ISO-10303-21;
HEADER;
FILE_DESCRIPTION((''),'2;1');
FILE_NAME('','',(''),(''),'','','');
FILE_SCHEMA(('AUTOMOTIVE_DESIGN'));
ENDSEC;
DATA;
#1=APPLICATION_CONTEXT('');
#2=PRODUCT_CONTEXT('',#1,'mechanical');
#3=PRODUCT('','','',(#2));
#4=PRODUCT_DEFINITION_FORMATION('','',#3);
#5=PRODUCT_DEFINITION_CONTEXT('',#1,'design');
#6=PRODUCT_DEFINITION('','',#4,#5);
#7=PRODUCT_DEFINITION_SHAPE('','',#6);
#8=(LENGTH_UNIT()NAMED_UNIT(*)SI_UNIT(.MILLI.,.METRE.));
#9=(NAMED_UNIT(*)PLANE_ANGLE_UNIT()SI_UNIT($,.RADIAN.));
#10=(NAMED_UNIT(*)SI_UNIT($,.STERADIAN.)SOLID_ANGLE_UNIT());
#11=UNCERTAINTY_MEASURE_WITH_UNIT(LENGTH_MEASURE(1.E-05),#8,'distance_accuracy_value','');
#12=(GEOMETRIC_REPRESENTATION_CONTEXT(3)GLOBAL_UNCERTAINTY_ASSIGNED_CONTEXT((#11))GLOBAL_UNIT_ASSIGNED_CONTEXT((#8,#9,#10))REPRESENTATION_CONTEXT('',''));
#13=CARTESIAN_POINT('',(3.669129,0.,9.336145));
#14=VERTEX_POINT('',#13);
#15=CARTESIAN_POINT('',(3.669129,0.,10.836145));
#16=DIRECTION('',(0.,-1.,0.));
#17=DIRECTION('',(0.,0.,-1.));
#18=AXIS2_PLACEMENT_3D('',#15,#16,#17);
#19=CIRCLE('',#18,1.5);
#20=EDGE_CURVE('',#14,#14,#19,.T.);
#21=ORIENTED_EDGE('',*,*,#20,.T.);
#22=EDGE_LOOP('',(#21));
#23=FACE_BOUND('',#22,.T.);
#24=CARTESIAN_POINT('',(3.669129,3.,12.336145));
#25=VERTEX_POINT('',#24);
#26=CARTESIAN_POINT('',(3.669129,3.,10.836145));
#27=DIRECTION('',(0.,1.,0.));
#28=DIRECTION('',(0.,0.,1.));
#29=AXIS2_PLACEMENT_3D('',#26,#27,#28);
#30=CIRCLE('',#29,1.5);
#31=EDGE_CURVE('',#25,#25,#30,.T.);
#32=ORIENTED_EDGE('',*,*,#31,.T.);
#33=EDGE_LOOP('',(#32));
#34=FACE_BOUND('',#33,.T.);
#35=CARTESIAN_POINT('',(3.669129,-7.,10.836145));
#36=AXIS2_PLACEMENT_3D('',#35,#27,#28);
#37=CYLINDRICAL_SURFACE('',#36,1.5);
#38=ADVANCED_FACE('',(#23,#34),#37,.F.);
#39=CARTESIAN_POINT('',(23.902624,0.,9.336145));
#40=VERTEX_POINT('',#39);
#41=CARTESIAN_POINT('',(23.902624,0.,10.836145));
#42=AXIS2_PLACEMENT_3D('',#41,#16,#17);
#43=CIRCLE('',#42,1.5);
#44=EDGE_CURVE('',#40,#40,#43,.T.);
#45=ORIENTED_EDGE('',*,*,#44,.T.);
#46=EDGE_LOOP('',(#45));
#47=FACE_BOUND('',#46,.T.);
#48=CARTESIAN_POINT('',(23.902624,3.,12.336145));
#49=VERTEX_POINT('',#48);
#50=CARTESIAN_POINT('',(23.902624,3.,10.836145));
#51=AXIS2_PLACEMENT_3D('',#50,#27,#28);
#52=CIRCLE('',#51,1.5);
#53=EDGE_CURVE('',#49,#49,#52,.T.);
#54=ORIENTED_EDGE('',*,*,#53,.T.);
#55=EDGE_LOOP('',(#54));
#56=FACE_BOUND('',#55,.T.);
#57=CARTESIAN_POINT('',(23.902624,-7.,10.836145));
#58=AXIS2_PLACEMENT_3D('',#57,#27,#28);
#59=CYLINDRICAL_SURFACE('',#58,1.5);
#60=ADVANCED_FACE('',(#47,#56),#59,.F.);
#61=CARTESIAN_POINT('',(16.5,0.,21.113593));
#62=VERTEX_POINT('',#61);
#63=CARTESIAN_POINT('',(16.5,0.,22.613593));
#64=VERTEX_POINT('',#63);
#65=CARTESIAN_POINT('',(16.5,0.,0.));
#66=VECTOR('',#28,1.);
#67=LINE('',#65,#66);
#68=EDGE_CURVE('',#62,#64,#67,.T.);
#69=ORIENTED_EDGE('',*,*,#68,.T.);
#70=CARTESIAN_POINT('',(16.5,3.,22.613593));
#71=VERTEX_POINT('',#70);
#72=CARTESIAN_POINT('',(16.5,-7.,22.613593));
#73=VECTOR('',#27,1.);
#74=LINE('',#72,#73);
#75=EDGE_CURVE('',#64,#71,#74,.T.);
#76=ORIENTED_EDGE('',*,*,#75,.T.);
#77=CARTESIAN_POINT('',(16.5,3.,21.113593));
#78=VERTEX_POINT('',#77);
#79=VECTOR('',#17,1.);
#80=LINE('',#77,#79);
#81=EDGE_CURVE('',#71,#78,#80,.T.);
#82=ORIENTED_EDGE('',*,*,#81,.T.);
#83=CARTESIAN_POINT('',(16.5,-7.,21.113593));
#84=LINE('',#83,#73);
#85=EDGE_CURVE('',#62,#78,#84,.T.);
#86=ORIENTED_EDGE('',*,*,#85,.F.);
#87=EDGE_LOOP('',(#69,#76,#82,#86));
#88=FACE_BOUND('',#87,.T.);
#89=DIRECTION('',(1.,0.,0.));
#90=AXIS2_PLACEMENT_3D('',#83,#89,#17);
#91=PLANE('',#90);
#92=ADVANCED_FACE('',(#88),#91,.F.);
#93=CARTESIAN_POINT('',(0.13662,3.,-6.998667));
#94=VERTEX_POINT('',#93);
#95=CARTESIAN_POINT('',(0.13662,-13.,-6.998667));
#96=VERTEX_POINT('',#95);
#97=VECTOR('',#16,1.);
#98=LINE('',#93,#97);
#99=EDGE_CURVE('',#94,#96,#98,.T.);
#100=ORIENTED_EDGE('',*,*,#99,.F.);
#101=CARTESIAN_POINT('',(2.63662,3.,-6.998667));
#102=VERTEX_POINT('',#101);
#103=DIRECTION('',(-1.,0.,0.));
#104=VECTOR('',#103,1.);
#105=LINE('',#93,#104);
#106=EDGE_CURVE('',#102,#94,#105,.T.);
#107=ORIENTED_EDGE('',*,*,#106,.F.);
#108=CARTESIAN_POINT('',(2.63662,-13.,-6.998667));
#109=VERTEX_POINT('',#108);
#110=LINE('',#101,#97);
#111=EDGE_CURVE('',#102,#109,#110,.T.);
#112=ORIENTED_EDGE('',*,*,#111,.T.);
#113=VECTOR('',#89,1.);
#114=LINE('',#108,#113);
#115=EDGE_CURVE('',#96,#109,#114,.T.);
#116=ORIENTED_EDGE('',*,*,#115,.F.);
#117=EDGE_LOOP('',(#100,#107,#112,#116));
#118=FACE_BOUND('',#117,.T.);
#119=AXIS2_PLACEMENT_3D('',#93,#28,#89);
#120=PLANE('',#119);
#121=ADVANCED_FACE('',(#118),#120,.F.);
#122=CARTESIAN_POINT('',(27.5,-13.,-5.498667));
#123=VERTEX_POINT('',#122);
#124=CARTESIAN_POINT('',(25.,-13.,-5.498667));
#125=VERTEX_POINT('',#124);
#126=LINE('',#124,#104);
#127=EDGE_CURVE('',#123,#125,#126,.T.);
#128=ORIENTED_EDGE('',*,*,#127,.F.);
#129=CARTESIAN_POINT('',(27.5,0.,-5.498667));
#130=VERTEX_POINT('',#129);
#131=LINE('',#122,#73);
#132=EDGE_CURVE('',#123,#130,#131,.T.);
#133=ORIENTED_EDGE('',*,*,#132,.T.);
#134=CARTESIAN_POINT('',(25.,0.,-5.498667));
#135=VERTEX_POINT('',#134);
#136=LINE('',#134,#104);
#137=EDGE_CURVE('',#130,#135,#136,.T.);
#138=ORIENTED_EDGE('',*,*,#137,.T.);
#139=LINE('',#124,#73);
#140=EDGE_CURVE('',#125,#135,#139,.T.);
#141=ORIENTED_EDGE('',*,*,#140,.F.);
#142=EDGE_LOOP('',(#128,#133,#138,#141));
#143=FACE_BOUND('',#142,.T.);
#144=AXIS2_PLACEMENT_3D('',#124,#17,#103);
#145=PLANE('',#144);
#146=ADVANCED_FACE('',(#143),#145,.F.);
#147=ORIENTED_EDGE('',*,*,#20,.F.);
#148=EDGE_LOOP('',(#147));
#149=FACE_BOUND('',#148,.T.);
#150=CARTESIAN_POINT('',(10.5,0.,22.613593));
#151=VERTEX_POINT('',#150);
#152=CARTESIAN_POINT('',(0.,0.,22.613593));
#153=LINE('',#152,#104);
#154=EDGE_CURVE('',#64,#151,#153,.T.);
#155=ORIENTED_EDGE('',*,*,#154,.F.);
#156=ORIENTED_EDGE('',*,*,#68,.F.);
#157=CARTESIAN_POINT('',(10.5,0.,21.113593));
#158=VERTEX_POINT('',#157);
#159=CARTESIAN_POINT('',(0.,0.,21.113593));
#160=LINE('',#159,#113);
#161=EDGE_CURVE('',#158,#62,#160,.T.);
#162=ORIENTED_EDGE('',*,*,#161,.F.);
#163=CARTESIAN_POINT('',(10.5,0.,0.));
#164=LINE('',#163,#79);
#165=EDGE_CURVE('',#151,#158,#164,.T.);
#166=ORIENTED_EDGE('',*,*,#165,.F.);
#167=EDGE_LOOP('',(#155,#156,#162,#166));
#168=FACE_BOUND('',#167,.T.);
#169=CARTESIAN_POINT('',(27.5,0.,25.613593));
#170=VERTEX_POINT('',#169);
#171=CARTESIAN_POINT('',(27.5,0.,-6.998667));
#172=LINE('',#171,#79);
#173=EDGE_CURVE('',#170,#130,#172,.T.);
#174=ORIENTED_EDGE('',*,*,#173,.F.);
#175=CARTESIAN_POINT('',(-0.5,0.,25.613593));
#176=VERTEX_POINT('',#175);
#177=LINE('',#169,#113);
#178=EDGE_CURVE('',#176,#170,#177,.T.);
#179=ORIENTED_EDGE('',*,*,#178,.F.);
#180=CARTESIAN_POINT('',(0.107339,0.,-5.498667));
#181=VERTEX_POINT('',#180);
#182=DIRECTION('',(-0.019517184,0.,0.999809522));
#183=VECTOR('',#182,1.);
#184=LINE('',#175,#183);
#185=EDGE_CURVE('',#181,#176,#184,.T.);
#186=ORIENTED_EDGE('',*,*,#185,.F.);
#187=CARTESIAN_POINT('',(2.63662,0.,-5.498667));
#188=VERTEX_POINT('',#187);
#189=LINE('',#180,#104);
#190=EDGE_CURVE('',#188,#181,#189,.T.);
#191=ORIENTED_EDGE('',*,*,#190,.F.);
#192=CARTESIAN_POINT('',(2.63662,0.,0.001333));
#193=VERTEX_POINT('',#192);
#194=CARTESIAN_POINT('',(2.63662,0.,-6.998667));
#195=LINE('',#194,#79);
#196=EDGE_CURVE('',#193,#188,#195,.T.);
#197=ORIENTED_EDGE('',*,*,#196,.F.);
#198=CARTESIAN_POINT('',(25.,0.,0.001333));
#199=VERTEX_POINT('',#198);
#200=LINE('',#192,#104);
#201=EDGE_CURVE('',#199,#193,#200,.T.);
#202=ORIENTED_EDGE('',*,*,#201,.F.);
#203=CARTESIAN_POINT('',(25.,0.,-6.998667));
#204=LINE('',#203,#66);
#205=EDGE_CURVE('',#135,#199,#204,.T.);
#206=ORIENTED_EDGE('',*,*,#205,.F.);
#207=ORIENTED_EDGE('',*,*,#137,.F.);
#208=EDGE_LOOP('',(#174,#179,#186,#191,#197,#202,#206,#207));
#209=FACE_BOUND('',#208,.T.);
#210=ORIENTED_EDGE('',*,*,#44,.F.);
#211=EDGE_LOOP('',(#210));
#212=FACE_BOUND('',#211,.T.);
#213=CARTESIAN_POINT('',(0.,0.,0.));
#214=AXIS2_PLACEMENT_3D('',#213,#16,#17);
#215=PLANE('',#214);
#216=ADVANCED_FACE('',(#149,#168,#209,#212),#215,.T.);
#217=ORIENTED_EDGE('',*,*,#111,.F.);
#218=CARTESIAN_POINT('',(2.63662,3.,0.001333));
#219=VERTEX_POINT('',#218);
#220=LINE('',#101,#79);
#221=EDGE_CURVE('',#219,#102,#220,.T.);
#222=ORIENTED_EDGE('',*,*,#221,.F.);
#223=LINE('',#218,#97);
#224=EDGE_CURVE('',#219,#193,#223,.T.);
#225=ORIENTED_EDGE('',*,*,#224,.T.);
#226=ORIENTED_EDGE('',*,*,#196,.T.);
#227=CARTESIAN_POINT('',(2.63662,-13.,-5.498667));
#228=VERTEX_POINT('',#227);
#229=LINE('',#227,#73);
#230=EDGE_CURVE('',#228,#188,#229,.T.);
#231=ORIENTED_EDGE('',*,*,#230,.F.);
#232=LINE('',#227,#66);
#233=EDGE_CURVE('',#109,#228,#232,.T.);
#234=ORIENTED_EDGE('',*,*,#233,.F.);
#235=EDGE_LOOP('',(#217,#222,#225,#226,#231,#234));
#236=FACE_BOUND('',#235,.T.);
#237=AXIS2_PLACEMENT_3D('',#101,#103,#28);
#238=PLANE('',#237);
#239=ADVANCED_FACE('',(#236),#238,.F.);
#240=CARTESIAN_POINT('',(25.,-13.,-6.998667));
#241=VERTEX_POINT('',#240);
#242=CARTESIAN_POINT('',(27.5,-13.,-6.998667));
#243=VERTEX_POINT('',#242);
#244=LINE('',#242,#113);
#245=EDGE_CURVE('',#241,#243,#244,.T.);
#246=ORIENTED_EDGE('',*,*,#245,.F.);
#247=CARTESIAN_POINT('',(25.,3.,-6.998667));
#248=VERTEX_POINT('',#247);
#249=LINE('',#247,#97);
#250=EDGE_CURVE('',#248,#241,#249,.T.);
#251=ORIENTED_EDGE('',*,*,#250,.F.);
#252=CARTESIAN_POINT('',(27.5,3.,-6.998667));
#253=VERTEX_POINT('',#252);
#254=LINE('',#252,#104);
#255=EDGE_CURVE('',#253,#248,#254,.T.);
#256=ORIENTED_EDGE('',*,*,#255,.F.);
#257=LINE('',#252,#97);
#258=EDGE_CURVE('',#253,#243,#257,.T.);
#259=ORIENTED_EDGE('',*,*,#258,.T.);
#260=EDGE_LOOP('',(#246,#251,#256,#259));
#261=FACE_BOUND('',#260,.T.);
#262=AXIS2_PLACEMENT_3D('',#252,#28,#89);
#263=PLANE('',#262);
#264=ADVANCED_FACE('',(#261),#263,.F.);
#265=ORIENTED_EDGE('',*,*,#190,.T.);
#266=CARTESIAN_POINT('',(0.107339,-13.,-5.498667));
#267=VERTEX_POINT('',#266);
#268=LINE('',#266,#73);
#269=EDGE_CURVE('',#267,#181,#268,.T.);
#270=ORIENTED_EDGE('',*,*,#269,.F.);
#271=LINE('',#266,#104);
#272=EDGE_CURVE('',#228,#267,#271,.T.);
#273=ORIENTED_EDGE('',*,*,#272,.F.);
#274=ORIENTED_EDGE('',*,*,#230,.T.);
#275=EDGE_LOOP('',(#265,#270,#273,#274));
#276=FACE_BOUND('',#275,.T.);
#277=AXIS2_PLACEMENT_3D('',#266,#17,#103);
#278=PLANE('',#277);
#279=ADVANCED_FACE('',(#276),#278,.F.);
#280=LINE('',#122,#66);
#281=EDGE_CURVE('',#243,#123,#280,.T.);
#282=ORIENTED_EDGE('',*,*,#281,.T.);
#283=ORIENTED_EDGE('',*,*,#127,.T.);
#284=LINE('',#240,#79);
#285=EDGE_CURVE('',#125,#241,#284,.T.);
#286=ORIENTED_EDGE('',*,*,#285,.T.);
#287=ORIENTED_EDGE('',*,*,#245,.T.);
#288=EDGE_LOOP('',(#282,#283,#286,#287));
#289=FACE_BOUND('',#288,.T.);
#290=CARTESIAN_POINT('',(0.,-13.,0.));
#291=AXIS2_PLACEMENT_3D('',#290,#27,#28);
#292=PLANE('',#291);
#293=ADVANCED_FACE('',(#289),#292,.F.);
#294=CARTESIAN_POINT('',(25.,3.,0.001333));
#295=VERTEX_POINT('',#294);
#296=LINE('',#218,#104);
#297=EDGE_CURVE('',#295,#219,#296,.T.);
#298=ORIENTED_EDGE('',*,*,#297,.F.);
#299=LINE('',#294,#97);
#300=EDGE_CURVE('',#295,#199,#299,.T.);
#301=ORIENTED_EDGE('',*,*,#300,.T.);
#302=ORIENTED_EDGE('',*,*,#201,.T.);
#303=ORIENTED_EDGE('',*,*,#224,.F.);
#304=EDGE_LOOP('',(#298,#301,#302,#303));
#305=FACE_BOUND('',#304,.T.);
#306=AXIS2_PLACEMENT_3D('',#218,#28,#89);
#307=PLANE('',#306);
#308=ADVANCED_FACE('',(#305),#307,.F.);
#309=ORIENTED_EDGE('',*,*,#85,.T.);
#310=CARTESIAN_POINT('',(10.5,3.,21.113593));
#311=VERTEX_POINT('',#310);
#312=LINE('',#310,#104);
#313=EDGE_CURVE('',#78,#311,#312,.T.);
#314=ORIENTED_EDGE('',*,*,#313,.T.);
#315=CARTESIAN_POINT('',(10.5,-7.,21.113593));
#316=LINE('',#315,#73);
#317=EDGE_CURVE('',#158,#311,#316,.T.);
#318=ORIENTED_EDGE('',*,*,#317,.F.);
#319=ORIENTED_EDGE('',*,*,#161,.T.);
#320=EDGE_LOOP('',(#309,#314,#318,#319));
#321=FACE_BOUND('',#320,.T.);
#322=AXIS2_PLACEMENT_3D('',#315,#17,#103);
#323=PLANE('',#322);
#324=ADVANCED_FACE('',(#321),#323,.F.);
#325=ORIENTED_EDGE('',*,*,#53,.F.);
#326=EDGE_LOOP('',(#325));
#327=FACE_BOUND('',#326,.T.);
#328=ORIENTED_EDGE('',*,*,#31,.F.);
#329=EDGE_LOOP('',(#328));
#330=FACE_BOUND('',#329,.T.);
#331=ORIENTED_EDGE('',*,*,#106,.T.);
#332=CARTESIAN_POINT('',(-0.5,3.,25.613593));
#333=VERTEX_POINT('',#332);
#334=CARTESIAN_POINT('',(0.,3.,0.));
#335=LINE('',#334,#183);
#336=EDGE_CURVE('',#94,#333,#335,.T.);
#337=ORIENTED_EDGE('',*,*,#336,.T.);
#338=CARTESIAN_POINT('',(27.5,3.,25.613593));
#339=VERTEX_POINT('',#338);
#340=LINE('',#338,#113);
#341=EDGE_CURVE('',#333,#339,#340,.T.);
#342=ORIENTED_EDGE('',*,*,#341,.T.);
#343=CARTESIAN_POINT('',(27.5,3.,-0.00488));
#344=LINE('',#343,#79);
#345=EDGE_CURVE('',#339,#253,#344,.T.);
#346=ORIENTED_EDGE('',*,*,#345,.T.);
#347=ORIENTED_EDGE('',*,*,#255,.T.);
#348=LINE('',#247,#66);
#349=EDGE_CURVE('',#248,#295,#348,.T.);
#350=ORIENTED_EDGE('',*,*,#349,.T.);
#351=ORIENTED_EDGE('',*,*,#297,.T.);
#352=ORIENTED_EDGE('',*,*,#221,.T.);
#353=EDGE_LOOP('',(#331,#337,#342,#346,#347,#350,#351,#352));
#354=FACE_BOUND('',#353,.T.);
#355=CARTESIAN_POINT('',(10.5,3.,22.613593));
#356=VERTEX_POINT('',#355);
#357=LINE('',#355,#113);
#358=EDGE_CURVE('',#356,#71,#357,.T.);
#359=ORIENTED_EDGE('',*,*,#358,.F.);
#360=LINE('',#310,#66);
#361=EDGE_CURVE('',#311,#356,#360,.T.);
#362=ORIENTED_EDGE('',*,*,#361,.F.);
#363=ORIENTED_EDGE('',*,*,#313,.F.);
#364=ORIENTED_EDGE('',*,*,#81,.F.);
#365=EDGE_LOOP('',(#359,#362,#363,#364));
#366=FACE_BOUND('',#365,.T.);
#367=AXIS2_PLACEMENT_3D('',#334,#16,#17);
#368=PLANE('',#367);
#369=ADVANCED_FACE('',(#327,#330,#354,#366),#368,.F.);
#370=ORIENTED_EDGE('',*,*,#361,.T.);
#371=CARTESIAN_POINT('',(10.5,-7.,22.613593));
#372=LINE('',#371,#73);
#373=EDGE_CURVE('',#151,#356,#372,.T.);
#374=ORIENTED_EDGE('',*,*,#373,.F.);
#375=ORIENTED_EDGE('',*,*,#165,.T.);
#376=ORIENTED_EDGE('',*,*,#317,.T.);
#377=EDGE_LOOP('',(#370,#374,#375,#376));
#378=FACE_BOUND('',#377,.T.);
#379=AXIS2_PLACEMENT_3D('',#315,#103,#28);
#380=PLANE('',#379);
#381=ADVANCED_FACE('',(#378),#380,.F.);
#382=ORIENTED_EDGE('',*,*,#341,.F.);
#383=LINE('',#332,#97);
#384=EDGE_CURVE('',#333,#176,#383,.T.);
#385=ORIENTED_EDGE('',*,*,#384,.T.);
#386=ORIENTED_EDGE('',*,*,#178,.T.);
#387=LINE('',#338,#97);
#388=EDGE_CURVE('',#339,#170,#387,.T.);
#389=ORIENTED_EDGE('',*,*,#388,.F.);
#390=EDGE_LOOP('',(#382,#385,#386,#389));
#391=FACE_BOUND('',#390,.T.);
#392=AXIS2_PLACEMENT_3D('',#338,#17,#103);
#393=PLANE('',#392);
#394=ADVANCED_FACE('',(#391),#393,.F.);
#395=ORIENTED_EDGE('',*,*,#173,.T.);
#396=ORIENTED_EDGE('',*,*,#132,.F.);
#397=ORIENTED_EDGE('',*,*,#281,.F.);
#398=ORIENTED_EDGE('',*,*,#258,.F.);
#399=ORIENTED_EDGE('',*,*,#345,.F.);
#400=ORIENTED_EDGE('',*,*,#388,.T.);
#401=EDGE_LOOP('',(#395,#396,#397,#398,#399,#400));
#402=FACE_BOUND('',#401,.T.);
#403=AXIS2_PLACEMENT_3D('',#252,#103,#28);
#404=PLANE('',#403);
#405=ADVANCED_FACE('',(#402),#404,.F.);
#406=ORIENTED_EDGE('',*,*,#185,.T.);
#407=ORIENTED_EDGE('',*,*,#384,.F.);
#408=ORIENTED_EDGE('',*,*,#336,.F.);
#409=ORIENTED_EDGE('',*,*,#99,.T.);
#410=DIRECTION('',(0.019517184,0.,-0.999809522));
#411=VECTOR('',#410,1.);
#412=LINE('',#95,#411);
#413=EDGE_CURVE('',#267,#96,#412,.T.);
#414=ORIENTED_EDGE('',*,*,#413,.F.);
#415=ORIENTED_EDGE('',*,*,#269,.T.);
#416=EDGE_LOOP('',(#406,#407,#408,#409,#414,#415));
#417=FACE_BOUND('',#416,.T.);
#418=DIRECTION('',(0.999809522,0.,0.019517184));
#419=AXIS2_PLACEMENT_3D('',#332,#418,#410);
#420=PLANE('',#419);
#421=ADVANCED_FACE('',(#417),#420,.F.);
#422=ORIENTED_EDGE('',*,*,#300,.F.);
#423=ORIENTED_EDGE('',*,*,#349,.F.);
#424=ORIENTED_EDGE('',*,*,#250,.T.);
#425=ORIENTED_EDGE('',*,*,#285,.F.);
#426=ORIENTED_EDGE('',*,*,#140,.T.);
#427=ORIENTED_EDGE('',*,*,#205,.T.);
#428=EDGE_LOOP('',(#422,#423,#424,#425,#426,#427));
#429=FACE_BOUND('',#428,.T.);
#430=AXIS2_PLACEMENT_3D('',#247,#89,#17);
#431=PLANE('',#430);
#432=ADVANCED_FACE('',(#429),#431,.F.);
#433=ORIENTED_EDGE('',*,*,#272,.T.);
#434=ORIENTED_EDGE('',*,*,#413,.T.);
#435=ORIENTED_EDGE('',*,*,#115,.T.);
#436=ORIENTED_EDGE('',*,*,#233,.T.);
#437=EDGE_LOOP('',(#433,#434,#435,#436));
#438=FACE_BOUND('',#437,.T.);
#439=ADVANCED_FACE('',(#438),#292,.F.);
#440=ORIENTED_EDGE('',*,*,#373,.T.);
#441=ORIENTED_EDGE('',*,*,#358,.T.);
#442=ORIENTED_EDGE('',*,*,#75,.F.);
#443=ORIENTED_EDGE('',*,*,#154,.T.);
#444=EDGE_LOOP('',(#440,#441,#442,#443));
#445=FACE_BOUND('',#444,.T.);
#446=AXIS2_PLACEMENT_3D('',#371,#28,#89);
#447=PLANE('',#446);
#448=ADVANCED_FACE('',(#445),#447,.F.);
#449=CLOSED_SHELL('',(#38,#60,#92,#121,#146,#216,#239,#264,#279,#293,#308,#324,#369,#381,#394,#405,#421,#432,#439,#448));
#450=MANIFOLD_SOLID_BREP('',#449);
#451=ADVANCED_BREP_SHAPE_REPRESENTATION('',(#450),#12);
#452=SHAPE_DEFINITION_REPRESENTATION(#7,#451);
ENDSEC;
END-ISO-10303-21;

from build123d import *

# Parameters (mm, degrees)
BOSS_EXTRUDE1_DEPTH = 3
BOSS_EXTRUDE2_DEPTH = 13
SKETCH4_W           = 2.5
SKETCH4_H           = 1.5
BOSS_EXTRUDE3_DEPTH = 13
SKETCH5_R           = 1.5
CUT_EXTRUDE2_DEPTH  = 10
SKETCH6_W           = 6
SKETCH6_H           = 1.5
CUT_EXTRUDE3_DEPTH  = 10


with BuildPart() as part:
    # Sketch1 → Boss-Extrude1 (new body)
    with BuildSketch(Plane(origin=(0, 0, 0), x_dir=(1, 0, 0), z_dir=(0, 1, 0))):
        Polygon((2.636620285, -0.001333349), (24.999999567, -0.001333349), (24.999999567, 6.998666651), (27.499999567, 6.998666651), (27.499999567, 0.004879765), (27.499999567, -25.613592849), (-0.500000433, -25.613592849), (0, 0), (0.136620285, 6.998666651), (2.636620285, 6.998666651), align=None)
    extrude(amount=BOSS_EXTRUDE1_DEPTH)

    # Sketch2 → Boss-Extrude2 (add)
    with BuildSketch(Plane(origin=(0, 0, 0), x_dir=(-1, 0, 0), z_dir=(0, -1, 0))):
        Polygon((-2.636620285, 6.998666651), (-0.136620285, 6.998666651), (-0.107338932, 5.498666651), (-2.636620285, 5.498666651), align=None)
    extrude(amount=BOSS_EXTRUDE2_DEPTH)

    # Sketch4 → Boss-Extrude3 (add)
    with BuildSketch(Plane(origin=(0, 0, 0), x_dir=(-1, 0, 0), z_dir=(0, -1, 0))):
        with Locations((-26.249999567, 6.248666651)):
            Rectangle(SKETCH4_W, SKETCH4_H)
    extrude(amount=BOSS_EXTRUDE3_DEPTH)

    # Sketch5 → Cut-Extrude2 (cut)
    with BuildSketch(Plane(origin=(0, 3, 0), x_dir=(1, 0, 0), z_dir=(0, 1, 0))):
        with Locations((3.669128533, -10.836145103)):
            Circle(SKETCH5_R)
        with Locations((23.902624268, -10.836145103)):
            Circle(SKETCH5_R)
    extrude(amount=-CUT_EXTRUDE2_DEPTH, mode=Mode.SUBTRACT)

    # Sketch6 → Cut-Extrude3 (cut)
    with BuildSketch(Plane(origin=(0, 3, 0), x_dir=(1, 0, 0), z_dir=(0, 1, 0))):
        with Locations((13.499999567, -21.863592849)):
            Rectangle(SKETCH6_W, SKETCH6_H)
    extrude(amount=-CUT_EXTRUDE3_DEPTH, mode=Mode.SUBTRACT)


solid = part.part
